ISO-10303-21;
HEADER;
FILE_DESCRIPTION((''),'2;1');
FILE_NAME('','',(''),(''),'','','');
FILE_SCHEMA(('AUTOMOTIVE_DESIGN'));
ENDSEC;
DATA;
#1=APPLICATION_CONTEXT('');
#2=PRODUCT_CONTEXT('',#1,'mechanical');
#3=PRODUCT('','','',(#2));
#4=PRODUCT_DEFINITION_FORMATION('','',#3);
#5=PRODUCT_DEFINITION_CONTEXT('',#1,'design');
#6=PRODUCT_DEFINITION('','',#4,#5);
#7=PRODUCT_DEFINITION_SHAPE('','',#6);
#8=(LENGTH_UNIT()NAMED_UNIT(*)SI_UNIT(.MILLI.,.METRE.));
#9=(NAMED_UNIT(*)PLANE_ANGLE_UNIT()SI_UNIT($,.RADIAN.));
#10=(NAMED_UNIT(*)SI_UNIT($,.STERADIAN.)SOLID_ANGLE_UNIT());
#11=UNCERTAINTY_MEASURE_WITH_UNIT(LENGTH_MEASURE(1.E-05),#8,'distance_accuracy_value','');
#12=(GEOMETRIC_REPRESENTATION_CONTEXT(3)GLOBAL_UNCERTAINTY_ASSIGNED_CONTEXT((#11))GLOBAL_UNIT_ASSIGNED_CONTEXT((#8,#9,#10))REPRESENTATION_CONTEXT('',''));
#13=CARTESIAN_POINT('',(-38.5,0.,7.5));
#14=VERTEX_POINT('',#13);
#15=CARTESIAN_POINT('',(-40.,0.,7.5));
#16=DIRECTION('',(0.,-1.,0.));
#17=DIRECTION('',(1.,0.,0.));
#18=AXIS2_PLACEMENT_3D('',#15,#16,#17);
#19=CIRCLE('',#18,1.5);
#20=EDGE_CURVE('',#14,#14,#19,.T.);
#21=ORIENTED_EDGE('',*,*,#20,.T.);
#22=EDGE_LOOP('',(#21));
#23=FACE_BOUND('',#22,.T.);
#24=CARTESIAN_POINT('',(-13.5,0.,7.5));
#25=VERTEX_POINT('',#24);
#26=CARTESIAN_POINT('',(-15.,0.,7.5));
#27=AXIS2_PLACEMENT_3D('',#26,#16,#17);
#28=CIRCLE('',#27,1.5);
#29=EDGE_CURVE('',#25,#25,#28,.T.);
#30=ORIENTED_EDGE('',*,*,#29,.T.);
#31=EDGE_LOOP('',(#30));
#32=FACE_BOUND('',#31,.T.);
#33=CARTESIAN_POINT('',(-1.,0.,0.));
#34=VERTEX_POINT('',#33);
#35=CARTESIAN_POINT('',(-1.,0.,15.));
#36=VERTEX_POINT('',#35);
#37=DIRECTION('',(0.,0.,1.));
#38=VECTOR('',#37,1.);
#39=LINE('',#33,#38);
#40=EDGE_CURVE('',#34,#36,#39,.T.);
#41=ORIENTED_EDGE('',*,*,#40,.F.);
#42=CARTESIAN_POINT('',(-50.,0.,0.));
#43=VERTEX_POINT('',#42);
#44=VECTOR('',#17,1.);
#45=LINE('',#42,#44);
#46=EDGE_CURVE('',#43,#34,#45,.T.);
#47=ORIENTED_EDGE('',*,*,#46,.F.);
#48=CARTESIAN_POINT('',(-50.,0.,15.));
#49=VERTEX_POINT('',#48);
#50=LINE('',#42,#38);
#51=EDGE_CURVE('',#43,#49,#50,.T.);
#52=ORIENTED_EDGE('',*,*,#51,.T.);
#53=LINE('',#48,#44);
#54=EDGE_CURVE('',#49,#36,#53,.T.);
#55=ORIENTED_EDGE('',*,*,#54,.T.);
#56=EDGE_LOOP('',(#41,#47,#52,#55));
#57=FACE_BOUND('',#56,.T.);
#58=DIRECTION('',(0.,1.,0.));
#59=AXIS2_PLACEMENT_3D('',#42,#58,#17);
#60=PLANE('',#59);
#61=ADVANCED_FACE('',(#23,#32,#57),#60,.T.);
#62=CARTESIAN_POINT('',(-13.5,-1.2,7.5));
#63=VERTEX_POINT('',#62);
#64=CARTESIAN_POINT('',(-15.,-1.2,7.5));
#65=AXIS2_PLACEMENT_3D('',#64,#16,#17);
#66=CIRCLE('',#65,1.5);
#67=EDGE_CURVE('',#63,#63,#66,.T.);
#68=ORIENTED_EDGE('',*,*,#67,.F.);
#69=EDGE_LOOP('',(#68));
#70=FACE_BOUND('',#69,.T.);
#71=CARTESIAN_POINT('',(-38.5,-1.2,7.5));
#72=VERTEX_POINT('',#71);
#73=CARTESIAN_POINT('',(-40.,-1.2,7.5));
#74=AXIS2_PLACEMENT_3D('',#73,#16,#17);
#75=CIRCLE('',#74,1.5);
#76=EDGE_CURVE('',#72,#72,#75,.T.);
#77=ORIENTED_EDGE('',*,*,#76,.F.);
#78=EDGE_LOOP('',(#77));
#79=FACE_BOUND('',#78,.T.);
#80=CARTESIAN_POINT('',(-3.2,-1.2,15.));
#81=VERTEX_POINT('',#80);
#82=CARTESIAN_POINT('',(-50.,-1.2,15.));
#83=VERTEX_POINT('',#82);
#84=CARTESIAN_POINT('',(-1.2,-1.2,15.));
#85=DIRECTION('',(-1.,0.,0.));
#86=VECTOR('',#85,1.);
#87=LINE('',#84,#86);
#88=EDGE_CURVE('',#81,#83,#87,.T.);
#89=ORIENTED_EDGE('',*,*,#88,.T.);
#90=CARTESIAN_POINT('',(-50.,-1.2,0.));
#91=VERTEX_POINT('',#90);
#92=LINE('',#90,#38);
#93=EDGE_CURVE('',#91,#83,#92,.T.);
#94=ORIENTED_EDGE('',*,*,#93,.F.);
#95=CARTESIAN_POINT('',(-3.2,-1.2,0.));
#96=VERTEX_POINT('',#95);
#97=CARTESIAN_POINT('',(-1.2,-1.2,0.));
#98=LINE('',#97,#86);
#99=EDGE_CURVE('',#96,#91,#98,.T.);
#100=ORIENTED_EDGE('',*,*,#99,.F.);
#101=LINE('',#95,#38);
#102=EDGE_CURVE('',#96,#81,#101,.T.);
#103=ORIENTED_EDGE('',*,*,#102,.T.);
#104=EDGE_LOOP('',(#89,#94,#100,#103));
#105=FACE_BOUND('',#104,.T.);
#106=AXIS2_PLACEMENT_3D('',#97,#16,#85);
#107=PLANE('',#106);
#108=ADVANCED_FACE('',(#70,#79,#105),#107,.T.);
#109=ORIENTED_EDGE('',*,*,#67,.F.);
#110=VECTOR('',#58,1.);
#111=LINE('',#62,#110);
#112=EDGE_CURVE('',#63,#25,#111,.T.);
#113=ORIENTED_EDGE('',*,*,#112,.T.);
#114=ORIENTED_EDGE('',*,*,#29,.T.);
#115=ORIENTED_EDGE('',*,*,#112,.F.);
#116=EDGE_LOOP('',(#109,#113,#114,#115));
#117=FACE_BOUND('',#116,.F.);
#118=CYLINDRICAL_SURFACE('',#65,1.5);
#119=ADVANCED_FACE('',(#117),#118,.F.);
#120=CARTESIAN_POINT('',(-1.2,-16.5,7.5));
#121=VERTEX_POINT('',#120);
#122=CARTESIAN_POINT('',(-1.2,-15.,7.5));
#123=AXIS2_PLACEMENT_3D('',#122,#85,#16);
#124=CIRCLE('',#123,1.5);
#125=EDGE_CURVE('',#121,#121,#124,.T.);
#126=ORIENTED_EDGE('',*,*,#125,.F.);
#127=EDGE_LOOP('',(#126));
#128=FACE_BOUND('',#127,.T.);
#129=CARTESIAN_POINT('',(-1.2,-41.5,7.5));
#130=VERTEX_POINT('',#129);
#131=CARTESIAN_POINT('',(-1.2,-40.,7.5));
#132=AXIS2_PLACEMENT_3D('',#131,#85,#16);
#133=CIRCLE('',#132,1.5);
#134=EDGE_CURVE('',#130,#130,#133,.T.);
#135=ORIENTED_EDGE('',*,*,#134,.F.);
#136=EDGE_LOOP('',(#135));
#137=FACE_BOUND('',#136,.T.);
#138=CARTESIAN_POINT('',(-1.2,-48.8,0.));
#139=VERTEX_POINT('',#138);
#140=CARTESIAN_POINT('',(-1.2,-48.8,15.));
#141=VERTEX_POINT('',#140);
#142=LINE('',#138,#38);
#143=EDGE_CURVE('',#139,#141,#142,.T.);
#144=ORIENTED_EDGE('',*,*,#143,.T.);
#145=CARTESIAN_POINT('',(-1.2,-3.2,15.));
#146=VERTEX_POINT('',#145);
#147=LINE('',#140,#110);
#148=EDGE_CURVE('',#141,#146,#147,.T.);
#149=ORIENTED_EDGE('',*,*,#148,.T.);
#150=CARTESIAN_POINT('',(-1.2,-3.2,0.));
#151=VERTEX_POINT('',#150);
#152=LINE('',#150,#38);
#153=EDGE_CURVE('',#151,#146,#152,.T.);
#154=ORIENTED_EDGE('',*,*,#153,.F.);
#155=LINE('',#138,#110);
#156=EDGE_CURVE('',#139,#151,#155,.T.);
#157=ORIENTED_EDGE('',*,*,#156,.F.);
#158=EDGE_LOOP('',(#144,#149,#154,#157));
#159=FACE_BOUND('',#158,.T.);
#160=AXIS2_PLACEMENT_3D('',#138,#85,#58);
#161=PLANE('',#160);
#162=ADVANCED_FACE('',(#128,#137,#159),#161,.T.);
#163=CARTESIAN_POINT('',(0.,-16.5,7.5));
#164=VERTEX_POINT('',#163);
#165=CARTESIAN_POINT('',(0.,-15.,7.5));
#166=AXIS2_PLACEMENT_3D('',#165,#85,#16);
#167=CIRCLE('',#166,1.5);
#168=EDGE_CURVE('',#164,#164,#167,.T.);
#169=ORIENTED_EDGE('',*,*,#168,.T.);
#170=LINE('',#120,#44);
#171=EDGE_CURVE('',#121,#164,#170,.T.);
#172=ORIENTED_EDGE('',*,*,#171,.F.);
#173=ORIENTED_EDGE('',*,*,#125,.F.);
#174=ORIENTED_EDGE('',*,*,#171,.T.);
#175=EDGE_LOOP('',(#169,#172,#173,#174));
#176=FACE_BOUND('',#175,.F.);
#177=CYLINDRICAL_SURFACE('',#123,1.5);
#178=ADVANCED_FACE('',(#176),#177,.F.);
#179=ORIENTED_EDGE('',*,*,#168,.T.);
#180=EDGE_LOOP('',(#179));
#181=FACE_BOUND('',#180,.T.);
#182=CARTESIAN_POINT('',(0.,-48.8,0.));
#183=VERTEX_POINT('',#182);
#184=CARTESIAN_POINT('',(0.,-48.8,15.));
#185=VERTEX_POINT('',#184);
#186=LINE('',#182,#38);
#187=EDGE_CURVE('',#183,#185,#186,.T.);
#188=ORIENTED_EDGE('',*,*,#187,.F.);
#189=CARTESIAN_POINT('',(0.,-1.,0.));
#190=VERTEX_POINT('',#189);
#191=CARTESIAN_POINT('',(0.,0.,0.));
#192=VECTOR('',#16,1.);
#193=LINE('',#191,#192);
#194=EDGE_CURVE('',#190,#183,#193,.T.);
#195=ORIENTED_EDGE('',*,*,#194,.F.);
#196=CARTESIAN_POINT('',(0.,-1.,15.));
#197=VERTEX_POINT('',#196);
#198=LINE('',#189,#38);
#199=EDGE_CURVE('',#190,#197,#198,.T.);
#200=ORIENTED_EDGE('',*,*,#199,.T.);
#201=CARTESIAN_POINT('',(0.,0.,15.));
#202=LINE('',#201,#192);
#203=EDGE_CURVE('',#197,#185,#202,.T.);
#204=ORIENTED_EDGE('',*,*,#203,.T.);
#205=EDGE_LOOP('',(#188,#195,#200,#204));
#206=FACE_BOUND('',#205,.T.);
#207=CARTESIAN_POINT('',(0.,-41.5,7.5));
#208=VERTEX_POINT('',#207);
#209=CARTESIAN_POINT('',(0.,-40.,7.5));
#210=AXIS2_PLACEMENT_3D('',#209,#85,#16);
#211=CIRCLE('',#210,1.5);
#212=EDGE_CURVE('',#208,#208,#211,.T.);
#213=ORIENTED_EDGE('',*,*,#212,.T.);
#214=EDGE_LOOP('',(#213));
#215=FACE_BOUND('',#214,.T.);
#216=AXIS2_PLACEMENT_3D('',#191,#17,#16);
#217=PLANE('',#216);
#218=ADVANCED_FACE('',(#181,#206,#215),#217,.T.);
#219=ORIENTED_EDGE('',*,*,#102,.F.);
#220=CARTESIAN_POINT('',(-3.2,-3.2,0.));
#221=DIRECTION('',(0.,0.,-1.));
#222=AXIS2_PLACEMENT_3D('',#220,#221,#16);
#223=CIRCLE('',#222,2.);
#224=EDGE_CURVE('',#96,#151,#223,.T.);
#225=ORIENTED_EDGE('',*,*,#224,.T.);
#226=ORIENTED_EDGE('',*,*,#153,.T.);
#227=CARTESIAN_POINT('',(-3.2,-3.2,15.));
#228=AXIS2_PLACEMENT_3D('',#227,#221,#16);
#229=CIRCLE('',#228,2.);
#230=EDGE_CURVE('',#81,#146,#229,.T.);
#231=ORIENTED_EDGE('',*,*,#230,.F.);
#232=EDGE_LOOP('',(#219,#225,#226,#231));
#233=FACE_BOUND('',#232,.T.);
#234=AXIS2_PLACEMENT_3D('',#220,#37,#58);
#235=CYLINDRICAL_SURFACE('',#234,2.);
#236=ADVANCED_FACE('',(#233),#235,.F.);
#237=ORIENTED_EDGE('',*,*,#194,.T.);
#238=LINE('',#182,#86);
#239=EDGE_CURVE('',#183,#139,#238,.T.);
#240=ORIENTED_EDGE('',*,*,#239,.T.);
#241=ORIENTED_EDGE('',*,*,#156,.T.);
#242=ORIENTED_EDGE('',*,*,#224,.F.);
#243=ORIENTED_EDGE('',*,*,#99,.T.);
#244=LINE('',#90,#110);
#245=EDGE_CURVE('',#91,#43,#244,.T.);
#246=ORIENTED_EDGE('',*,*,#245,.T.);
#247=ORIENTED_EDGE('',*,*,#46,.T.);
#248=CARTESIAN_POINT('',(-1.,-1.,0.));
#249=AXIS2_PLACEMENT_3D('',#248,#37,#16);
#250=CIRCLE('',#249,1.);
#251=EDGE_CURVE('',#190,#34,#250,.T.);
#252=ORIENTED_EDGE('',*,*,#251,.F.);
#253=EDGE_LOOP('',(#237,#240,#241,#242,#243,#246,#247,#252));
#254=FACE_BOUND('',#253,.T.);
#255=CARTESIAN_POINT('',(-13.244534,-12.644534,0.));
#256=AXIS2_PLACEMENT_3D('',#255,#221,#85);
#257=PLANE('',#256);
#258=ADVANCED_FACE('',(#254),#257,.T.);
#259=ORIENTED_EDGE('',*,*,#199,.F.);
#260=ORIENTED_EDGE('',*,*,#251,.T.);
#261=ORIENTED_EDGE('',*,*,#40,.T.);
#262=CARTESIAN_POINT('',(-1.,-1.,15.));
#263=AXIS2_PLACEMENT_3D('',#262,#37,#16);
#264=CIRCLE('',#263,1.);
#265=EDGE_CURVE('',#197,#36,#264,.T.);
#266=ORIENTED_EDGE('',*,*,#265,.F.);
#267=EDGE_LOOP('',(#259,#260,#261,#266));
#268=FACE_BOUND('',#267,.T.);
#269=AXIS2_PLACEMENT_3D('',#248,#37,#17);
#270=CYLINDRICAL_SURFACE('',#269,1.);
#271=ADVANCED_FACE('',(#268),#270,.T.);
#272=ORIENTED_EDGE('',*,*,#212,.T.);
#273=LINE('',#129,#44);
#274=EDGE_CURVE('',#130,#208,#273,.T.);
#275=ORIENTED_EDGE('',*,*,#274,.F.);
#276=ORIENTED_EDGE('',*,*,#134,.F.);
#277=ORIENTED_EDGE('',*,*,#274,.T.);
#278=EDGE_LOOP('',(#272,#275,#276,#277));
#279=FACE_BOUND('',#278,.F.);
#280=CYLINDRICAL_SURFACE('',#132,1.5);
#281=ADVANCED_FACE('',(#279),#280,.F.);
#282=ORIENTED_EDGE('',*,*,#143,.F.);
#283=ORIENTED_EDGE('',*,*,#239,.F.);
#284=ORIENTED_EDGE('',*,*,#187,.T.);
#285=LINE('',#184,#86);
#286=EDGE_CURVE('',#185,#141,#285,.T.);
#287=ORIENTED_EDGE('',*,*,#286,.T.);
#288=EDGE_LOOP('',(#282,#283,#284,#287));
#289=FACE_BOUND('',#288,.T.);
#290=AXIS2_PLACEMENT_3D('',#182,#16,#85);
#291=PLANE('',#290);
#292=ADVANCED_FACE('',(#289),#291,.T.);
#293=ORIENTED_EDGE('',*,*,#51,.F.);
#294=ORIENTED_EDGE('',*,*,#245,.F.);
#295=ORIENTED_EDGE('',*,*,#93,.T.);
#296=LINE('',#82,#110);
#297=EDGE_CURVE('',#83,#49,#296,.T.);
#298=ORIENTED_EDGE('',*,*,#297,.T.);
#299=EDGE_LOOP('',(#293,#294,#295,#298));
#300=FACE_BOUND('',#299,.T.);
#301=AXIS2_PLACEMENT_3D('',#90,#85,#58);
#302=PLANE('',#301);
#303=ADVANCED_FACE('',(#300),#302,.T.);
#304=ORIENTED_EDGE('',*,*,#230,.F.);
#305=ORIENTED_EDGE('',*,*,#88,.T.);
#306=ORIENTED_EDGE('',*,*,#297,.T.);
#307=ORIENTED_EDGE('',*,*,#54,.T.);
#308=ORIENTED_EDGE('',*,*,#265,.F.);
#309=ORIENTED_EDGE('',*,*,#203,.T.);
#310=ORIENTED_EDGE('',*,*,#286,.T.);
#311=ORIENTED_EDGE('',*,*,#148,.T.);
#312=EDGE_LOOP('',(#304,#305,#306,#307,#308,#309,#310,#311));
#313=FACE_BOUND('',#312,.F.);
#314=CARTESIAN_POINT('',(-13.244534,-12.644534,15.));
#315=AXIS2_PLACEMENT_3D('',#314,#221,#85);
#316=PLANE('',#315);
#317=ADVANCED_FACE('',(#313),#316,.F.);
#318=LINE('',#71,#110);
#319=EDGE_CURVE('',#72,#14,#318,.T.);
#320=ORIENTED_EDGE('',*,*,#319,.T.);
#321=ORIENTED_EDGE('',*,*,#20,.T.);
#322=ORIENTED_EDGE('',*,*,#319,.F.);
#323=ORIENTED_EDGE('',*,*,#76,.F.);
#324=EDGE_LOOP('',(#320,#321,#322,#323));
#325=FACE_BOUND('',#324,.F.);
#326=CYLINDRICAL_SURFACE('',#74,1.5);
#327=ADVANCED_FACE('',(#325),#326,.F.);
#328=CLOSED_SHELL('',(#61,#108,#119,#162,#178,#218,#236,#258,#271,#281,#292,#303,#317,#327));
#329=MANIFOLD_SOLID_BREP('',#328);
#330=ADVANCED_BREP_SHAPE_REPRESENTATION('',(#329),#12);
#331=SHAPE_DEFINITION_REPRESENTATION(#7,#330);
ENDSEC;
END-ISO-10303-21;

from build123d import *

# Parameters (mm, degrees)
PAD_DEPTH       = 15
SKETCH001_R     = 1.5
POCKET_DEPTH    = 1.201
SKETCH002_R     = 1.5
POCKET001_DEPTH = 1.201
FILLET_R        = 2
FILLET001_R     = 1


with BuildPart() as part:
    # Sketch → Pad (new body)
    with BuildSketch(Plane.XY):
        Polygon((-50, 0), (0, 0), (0, -48.8), (-1.2, -48.8), (-1.2, -1.2), (-50, -1.2), align=None)
    extrude(amount=PAD_DEPTH)

    # Sketch001 (on Face5 of Pad) → Pocket (cut, through all)
    with BuildSketch(Plane.XZ.offset(1.2)):
        with Locations((-40, 7.5)):
            Circle(SKETCH001_R)
        with Locations((-15, 7.5)):
            Circle(SKETCH001_R)
    extrude(amount=-POCKET_DEPTH, mode=Mode.SUBTRACT)

    # Sketch002 (on Face10 of Pocket) → Pocket001 (cut, through all)
    with BuildSketch(Plane(origin=(-1.2, 0, 0), x_dir=(0, -1, 0), z_dir=(-1, 0, 0))):
        with Locations((15, 7.5)):
            Circle(SKETCH002_R)
        with Locations((40, 7.5)):
            Circle(SKETCH002_R)
    extrude(amount=-POCKET001_DEPTH, mode=Mode.SUBTRACT)

    # Fillet
    fillet_edges = [part.edges().sort_by_distance(p)[0] for p in [
        (-1.2, -1.2, 7.5),
    ]]
    fillet(fillet_edges, radius=FILLET_R)

    # Fillet001
    fillet001_edges = [part.edges().sort_by_distance(p)[0] for p in [
        (0, 0, 7.5),
    ]]
    fillet(fillet001_edges, radius=FILLET001_R)


solid = part.part
